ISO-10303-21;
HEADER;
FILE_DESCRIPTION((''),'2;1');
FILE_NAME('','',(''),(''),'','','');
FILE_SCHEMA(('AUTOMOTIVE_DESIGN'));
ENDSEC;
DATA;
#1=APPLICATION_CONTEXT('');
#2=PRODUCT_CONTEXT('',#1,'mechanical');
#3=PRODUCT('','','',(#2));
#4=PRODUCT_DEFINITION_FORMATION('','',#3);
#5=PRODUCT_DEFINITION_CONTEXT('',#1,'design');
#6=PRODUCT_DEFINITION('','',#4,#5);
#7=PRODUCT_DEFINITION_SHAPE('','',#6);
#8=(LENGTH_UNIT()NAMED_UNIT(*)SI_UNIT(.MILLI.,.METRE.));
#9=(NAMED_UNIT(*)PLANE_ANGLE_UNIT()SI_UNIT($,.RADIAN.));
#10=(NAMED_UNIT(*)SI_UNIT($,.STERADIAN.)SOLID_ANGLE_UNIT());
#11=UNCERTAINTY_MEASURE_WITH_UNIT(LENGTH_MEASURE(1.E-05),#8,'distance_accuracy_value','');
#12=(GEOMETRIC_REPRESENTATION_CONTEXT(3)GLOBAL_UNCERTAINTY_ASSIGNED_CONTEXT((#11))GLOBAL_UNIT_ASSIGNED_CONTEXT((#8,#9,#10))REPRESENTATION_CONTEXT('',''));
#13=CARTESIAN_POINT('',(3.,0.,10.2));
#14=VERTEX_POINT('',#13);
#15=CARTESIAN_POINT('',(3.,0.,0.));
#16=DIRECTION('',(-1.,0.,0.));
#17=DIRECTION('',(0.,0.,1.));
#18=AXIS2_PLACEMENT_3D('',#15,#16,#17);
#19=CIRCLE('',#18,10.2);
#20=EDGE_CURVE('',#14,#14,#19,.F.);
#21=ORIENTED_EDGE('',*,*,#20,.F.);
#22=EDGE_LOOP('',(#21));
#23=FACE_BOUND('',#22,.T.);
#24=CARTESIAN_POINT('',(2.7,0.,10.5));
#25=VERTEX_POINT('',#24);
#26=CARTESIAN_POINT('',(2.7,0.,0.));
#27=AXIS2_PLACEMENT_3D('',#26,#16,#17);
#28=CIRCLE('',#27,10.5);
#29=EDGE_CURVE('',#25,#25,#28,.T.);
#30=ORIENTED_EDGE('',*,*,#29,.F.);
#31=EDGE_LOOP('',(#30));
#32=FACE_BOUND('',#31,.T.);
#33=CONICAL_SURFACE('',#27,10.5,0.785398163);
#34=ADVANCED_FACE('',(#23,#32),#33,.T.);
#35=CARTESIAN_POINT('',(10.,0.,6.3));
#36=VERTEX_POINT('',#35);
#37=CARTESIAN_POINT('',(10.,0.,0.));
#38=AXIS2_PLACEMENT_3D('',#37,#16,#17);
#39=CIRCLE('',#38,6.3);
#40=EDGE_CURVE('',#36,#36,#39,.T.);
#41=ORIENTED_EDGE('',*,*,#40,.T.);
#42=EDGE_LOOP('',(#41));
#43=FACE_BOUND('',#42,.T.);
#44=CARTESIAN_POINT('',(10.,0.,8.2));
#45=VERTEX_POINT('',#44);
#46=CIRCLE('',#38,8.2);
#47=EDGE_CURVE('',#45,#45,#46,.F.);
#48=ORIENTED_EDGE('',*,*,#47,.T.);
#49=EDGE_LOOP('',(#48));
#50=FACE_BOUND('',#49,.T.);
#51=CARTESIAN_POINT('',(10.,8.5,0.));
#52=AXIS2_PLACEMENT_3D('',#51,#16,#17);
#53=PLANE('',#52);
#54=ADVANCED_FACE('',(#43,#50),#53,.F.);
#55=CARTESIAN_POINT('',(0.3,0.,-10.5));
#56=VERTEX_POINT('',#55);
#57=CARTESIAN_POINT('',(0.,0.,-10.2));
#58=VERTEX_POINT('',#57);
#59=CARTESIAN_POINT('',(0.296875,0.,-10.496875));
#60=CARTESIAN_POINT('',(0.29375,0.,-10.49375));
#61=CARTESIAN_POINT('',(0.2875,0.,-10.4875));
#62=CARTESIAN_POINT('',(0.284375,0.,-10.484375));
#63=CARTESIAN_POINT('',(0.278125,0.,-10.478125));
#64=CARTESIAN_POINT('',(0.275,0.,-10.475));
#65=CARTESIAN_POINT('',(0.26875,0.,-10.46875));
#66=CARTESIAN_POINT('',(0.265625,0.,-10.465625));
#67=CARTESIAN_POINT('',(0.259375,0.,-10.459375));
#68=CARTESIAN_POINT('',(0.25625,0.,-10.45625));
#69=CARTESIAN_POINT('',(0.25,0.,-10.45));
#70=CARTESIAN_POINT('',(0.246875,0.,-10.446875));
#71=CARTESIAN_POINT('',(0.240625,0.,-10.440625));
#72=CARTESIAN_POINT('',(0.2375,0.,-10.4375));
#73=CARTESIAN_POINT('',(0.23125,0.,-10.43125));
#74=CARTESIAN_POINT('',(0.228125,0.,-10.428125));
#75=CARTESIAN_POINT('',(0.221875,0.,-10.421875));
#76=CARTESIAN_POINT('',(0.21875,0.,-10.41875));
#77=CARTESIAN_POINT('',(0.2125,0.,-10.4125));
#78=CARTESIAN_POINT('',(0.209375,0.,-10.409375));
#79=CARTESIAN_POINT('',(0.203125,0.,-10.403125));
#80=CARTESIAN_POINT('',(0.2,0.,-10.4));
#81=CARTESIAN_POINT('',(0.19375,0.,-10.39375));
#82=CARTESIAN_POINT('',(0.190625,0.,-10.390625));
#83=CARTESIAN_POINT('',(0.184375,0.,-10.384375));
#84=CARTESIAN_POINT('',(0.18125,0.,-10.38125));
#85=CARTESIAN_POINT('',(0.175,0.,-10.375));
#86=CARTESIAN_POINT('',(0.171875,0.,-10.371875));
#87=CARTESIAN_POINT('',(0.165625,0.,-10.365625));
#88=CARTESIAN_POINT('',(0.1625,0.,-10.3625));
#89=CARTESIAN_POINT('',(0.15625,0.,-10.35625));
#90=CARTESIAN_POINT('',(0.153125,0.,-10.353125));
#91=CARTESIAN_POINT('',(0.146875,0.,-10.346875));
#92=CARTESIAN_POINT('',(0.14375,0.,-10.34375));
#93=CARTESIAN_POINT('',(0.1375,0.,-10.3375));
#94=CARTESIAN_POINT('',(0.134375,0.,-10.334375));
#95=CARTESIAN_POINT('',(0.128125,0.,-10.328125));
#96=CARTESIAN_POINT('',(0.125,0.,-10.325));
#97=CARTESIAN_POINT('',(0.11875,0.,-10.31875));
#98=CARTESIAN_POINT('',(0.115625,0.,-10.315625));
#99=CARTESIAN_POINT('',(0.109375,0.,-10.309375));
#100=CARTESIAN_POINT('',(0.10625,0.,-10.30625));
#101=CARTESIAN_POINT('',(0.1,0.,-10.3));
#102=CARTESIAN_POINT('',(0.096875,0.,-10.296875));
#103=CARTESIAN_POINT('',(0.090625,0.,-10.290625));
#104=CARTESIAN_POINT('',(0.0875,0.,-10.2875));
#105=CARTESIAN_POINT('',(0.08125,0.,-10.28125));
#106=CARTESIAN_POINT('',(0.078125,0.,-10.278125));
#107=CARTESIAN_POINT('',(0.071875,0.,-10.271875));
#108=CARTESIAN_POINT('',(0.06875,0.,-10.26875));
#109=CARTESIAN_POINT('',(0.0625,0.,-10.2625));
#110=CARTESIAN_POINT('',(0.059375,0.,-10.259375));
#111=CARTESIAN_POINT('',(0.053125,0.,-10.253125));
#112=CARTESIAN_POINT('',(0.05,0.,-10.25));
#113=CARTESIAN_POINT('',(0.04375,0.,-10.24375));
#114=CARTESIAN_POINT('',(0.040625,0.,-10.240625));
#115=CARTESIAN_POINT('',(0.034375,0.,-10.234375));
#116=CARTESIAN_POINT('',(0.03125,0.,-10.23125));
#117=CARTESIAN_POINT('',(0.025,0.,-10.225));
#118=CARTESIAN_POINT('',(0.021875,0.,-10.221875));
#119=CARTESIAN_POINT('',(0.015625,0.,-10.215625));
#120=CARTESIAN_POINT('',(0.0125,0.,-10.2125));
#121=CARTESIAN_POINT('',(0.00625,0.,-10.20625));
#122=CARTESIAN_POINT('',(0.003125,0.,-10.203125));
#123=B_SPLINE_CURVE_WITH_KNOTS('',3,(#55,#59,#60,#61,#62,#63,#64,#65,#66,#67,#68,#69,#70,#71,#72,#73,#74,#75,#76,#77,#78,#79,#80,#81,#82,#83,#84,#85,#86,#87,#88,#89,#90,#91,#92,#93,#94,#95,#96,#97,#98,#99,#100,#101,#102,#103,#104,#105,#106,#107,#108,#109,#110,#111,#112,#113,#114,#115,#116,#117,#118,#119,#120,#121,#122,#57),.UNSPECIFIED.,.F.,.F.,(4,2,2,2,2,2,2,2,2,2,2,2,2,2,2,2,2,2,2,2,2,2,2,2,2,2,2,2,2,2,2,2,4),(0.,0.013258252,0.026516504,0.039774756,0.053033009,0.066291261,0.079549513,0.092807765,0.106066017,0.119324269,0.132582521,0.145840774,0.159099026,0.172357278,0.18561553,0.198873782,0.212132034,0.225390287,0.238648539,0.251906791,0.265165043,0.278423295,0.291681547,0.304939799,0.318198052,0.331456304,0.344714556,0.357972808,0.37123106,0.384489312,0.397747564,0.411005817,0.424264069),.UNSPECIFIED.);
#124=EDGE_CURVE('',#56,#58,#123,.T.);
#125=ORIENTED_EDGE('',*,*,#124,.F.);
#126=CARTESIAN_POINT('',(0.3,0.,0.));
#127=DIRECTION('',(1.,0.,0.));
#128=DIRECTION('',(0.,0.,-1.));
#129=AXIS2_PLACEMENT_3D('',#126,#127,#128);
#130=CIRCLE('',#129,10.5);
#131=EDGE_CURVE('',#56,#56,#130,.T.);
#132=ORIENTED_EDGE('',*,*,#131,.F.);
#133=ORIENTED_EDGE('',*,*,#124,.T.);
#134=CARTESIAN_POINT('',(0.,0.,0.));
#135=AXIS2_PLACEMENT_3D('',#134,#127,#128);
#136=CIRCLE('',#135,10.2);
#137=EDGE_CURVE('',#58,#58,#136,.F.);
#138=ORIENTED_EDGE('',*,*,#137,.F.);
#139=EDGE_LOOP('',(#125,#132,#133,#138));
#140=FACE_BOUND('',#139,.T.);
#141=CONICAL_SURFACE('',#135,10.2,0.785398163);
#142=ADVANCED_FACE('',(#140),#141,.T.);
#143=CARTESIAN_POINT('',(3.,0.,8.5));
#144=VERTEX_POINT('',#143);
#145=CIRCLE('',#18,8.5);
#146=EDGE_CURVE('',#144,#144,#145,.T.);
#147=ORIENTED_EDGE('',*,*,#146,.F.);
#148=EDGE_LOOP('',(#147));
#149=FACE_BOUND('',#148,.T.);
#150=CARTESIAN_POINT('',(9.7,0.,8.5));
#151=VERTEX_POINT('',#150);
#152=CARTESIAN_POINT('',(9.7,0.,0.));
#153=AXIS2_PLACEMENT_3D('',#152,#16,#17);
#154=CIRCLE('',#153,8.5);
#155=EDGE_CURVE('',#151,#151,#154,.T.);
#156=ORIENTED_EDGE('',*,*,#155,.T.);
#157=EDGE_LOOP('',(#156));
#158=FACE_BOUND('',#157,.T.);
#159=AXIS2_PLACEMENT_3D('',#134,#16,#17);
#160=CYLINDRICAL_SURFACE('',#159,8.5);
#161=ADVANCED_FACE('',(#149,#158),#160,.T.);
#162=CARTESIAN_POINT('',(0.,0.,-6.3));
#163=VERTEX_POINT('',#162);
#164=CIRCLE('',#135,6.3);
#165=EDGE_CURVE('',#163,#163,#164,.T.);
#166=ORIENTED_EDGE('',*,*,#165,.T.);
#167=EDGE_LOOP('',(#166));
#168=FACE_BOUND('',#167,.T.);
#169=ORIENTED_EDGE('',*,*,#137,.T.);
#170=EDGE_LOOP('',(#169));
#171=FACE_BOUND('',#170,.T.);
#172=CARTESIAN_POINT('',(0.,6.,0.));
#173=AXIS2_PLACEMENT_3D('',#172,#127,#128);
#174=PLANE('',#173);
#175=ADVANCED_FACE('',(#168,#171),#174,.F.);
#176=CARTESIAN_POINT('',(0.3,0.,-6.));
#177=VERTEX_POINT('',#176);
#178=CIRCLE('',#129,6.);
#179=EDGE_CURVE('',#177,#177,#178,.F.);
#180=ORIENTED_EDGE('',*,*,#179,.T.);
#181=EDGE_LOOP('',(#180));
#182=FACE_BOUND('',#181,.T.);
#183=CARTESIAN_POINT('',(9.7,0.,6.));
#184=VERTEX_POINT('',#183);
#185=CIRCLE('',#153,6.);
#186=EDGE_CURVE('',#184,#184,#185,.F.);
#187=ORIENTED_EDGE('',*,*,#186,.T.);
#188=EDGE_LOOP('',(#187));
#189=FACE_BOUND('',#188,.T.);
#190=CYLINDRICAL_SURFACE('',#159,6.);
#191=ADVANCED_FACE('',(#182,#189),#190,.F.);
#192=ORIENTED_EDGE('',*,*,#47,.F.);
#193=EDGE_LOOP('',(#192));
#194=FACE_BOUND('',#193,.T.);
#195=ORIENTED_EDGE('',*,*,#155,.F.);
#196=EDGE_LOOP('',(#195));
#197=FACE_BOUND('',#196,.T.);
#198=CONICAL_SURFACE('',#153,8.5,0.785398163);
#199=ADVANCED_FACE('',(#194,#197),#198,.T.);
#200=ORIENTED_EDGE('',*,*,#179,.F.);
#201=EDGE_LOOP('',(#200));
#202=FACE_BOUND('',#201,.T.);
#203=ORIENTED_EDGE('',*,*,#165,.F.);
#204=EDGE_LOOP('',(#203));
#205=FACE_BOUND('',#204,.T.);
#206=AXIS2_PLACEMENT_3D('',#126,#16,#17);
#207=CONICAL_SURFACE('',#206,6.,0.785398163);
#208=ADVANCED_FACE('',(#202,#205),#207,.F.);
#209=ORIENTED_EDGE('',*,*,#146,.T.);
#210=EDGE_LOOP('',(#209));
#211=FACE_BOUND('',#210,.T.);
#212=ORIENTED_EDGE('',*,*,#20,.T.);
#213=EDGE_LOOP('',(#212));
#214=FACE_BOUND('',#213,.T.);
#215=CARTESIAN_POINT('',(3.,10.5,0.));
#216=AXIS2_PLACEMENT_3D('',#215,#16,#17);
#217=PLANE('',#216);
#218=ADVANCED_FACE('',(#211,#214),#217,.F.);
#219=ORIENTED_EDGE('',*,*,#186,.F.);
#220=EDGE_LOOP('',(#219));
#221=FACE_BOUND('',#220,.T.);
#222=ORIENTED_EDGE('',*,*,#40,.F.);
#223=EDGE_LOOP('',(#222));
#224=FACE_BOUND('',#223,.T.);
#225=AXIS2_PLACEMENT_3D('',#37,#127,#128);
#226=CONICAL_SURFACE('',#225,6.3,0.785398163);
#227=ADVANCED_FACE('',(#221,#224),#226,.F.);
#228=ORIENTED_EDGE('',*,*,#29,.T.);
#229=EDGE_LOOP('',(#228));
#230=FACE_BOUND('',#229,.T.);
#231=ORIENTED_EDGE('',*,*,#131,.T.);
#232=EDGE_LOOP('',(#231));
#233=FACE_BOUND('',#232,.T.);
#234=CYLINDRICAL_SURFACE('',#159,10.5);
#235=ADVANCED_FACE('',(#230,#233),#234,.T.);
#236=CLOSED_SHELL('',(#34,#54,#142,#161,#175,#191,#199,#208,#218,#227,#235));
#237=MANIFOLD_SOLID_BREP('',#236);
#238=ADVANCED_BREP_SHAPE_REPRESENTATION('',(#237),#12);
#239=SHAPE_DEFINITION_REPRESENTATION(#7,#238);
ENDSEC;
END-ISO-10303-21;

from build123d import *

# Parameters (mm, degrees)
CHAMFER1_SIZE = 0.3


with BuildPart() as part:
    # Sketch1 → Revolve1 (revolve)
    with BuildSketch(Plane.XY, mode=Mode.PRIVATE) as revolve1_sk:
        Polygon((0, 6), (0, 10.5), (3, 10.5), (3, 8.5), (10, 8.5), (10, 6), align=None)
    revolve(revolve1_sk.sketch.rotate(Axis((0, 0, 0), (1, 0, 0)), 90), axis=Axis((0, 0, 0), (1, 0, 0)))

    # Chamfer1
    chamfer1_edges = [part.edges().sort_by_distance(p)[0] for p in [
        (10, 0, -6),
        (10, 0, -8.5),
        (3, 0, -10.5),
        (0, 0, -10.5),
        (0, 0, -6),
    ]]
    chamfer(chamfer1_edges, length=CHAMFER1_SIZE)


solid = part.part
